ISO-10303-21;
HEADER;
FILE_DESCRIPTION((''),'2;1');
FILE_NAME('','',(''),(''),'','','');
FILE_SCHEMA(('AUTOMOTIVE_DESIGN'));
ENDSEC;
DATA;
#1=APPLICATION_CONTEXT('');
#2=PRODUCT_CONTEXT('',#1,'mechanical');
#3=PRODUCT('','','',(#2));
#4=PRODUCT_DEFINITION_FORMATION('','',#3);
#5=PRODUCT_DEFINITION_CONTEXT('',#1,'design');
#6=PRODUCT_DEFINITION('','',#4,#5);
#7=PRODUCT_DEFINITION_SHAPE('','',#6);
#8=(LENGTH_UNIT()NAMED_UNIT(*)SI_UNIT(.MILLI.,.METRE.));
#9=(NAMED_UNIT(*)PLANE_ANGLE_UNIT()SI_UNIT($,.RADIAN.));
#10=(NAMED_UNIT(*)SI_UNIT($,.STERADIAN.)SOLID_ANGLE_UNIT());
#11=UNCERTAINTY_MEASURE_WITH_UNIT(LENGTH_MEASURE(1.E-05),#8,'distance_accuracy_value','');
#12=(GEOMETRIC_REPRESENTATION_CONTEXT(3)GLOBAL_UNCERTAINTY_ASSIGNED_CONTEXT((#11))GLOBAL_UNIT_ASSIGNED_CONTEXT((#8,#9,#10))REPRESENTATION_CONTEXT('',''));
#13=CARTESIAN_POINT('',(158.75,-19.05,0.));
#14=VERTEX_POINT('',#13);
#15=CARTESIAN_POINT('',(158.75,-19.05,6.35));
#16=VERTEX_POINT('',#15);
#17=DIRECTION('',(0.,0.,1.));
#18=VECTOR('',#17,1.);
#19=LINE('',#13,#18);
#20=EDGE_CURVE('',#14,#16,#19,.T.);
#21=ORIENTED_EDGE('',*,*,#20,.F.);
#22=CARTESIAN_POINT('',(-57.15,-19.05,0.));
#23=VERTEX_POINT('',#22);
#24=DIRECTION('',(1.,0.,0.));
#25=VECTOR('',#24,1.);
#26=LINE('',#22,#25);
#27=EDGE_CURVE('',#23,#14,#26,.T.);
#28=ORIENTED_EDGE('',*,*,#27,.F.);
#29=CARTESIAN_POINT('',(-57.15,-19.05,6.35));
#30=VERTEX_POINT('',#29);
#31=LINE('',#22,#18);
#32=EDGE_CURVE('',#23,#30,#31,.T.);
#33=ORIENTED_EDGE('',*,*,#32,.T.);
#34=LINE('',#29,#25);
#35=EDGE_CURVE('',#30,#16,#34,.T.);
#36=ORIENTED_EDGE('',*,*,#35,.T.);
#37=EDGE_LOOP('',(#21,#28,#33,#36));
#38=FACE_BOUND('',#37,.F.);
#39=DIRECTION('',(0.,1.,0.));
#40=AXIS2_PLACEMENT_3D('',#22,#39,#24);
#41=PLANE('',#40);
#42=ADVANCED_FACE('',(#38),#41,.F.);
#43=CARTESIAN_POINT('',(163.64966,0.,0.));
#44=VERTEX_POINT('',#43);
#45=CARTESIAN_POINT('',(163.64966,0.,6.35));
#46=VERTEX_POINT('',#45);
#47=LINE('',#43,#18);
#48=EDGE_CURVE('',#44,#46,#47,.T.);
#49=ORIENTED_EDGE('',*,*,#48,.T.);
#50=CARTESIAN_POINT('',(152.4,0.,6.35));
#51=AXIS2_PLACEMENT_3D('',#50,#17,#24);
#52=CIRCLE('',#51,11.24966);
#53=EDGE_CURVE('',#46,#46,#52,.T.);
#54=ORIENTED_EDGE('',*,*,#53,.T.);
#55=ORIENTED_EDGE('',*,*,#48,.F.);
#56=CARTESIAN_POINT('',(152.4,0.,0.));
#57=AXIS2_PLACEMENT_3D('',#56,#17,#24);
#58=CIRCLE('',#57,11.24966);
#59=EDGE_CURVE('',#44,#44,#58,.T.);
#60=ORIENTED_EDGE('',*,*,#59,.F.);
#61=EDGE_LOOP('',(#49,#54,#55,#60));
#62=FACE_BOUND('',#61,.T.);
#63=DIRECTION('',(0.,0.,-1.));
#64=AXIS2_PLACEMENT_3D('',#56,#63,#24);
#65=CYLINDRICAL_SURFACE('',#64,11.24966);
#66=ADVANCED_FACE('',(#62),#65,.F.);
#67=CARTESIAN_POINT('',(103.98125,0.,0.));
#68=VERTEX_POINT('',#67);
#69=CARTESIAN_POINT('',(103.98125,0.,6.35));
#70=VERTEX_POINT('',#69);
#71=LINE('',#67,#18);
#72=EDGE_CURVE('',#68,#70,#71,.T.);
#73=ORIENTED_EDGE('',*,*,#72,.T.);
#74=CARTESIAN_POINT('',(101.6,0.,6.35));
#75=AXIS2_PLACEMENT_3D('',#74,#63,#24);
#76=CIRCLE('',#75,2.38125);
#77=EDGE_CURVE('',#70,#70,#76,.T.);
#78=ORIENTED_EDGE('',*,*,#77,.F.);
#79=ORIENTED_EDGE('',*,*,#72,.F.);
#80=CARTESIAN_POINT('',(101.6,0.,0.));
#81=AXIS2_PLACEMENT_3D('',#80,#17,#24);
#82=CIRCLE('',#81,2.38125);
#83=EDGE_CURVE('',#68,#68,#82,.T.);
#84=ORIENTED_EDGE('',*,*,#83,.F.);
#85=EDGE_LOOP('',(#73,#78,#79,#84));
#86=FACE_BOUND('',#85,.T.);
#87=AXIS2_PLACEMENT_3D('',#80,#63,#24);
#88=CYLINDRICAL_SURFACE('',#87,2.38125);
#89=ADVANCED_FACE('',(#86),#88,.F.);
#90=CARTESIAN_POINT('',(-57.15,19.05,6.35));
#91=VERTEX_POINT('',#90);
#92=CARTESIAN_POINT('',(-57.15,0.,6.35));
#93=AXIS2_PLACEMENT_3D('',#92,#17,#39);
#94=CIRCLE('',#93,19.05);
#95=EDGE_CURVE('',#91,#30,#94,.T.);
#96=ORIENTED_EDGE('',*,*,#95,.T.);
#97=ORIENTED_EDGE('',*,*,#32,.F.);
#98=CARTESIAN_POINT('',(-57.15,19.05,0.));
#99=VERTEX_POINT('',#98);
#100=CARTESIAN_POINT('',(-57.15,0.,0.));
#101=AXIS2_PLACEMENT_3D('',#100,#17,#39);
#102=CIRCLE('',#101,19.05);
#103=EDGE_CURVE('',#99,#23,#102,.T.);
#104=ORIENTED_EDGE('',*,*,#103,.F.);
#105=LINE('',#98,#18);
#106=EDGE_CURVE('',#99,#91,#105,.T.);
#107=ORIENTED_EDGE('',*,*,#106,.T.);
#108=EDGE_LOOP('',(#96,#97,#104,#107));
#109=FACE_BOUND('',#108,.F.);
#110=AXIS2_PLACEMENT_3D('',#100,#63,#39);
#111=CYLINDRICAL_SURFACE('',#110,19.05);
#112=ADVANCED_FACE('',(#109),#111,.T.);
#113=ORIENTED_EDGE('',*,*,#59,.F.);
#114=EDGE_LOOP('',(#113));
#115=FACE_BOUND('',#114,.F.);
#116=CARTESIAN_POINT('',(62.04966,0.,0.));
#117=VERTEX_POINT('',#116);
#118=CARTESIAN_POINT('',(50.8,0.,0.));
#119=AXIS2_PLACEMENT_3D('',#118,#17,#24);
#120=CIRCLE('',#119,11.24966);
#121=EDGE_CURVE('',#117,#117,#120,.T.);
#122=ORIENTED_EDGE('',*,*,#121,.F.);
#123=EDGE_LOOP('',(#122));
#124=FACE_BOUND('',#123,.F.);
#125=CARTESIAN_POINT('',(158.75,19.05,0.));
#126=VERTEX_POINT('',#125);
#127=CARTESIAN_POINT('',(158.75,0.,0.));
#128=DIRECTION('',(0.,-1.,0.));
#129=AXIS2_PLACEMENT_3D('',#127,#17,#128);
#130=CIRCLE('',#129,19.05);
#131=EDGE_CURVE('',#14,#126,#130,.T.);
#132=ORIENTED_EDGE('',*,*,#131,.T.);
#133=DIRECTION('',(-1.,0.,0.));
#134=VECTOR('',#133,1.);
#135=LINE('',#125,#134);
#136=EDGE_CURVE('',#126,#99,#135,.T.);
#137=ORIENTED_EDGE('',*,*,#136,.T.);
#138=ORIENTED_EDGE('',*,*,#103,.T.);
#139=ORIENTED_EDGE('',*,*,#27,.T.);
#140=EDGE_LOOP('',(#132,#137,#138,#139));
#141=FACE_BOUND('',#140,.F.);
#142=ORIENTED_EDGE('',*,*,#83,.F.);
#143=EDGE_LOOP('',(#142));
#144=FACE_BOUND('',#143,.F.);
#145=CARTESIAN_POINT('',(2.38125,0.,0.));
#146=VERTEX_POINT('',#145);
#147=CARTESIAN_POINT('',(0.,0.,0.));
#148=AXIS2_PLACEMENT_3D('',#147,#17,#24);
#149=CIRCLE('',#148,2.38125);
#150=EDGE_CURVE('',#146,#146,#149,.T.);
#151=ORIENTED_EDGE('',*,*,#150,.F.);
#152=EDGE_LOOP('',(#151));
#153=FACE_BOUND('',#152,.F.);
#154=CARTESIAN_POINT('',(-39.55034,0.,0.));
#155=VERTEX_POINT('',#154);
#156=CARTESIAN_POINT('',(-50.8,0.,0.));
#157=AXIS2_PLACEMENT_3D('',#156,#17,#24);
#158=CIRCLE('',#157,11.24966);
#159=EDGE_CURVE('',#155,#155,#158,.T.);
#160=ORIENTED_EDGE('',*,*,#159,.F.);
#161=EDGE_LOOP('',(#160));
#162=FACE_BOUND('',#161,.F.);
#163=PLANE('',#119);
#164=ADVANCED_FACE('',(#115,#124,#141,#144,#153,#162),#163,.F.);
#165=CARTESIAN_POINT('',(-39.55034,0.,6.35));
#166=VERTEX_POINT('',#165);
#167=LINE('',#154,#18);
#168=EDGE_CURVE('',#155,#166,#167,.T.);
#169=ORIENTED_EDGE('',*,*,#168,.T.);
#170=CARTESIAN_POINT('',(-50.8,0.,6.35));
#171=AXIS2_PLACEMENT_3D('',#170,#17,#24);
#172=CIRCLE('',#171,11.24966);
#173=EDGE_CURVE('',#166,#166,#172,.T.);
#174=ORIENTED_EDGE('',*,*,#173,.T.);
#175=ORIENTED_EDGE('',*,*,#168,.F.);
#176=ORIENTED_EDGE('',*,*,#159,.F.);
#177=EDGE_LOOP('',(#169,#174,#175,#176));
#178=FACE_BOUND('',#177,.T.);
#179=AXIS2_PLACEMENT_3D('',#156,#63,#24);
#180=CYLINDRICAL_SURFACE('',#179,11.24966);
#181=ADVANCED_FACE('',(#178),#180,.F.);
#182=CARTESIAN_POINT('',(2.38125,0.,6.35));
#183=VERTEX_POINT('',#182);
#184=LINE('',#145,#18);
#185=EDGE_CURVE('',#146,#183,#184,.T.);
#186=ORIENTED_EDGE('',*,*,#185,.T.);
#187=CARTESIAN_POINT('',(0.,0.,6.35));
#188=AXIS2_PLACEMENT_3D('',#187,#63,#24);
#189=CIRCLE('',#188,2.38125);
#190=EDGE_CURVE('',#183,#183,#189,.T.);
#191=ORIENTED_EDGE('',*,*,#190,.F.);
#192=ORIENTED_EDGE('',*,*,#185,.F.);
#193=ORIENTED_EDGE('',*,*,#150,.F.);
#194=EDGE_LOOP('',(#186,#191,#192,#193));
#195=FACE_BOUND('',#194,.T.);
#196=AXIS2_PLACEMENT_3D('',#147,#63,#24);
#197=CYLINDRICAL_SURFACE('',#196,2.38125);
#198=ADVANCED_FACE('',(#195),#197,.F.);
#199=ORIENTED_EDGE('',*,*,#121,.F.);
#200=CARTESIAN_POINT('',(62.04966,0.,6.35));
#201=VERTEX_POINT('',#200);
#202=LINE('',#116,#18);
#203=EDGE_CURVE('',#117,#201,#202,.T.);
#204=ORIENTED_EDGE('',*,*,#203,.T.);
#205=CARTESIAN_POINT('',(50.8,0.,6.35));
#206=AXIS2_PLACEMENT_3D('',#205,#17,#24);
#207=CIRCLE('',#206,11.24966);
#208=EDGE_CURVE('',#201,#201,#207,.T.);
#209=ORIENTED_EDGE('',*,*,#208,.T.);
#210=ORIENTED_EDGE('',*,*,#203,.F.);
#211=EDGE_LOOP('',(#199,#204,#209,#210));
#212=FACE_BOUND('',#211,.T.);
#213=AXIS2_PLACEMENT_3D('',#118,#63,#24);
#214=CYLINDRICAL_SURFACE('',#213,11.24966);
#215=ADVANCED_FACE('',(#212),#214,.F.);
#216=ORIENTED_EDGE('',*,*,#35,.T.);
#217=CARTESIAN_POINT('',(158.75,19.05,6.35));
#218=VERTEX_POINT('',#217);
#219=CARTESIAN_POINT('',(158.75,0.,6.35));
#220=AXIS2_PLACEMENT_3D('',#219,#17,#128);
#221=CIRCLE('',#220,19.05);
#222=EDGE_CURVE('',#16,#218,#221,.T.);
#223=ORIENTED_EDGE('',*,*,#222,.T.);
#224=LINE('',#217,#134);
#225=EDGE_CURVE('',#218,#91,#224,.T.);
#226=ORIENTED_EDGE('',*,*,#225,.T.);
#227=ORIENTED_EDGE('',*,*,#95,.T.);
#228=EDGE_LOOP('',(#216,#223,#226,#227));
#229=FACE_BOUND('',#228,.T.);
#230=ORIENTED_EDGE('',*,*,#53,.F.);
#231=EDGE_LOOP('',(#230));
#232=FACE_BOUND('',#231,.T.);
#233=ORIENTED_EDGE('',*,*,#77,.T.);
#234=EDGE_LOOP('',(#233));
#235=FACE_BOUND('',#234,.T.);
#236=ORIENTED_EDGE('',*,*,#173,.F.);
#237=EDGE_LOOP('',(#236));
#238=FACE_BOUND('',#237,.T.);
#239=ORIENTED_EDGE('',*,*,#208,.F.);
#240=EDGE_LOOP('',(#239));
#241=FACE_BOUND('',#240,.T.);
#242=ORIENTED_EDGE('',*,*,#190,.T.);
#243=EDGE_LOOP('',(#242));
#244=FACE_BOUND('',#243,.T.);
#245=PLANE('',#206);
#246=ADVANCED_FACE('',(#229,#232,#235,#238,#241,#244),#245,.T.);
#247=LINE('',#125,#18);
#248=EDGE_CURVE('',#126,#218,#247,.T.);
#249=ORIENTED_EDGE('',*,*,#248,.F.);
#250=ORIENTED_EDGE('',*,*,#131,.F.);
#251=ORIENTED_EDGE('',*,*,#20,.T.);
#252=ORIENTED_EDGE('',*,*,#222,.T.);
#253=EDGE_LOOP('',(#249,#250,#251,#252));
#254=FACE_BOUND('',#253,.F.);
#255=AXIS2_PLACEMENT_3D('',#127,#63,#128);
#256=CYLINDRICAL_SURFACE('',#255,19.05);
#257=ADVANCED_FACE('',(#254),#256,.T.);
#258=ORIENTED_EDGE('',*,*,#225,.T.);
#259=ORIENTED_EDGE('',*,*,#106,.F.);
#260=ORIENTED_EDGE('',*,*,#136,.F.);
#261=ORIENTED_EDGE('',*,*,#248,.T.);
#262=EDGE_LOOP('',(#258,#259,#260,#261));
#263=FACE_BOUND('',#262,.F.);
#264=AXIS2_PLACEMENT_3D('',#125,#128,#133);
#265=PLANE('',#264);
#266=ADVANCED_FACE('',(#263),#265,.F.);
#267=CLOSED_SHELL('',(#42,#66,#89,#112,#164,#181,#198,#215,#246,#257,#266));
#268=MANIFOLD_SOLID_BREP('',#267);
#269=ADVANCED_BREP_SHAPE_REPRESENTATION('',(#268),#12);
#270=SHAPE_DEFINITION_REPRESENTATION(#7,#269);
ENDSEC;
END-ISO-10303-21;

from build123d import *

# Parameters (mm, degrees)
F0_R     = 11.24966
F2_DEPTH = 6.35
F1_R     = 2.38125
F3_DEPTH = 25.4


with BuildPart() as f2:
    # F0 (on Top) → F2 (new body)
    with BuildSketch(Plane.XY):
        with BuildLine():
            Line((158.75, 19.05), (-57.15, 19.05))
            ThreePointArc((-57.15, 19.05), (-76.2, 0), (-57.15, -19.05))
            Line((-57.15, -19.05), (158.75, -19.05))
            ThreePointArc((158.75, -19.05), (177.8, 0), (158.75, 19.05))
        make_face()
        with Locations((-50.8, 0)):
            Circle(F0_R, mode=Mode.SUBTRACT)
        with Locations((50.8, 0)):
            Circle(F0_R, mode=Mode.SUBTRACT)
        with Locations((152.4, 0)):
            Circle(F0_R, mode=Mode.SUBTRACT)
    extrude(amount=F2_DEPTH)

    # F1 (on face) → F3 (cut)
    with BuildSketch(Plane.XY):
        Circle(F1_R)
        with Locations((101.6, 0)):
            Circle(F1_R)
    extrude(amount=F3_DEPTH, mode=Mode.SUBTRACT)


solid = f2.part
